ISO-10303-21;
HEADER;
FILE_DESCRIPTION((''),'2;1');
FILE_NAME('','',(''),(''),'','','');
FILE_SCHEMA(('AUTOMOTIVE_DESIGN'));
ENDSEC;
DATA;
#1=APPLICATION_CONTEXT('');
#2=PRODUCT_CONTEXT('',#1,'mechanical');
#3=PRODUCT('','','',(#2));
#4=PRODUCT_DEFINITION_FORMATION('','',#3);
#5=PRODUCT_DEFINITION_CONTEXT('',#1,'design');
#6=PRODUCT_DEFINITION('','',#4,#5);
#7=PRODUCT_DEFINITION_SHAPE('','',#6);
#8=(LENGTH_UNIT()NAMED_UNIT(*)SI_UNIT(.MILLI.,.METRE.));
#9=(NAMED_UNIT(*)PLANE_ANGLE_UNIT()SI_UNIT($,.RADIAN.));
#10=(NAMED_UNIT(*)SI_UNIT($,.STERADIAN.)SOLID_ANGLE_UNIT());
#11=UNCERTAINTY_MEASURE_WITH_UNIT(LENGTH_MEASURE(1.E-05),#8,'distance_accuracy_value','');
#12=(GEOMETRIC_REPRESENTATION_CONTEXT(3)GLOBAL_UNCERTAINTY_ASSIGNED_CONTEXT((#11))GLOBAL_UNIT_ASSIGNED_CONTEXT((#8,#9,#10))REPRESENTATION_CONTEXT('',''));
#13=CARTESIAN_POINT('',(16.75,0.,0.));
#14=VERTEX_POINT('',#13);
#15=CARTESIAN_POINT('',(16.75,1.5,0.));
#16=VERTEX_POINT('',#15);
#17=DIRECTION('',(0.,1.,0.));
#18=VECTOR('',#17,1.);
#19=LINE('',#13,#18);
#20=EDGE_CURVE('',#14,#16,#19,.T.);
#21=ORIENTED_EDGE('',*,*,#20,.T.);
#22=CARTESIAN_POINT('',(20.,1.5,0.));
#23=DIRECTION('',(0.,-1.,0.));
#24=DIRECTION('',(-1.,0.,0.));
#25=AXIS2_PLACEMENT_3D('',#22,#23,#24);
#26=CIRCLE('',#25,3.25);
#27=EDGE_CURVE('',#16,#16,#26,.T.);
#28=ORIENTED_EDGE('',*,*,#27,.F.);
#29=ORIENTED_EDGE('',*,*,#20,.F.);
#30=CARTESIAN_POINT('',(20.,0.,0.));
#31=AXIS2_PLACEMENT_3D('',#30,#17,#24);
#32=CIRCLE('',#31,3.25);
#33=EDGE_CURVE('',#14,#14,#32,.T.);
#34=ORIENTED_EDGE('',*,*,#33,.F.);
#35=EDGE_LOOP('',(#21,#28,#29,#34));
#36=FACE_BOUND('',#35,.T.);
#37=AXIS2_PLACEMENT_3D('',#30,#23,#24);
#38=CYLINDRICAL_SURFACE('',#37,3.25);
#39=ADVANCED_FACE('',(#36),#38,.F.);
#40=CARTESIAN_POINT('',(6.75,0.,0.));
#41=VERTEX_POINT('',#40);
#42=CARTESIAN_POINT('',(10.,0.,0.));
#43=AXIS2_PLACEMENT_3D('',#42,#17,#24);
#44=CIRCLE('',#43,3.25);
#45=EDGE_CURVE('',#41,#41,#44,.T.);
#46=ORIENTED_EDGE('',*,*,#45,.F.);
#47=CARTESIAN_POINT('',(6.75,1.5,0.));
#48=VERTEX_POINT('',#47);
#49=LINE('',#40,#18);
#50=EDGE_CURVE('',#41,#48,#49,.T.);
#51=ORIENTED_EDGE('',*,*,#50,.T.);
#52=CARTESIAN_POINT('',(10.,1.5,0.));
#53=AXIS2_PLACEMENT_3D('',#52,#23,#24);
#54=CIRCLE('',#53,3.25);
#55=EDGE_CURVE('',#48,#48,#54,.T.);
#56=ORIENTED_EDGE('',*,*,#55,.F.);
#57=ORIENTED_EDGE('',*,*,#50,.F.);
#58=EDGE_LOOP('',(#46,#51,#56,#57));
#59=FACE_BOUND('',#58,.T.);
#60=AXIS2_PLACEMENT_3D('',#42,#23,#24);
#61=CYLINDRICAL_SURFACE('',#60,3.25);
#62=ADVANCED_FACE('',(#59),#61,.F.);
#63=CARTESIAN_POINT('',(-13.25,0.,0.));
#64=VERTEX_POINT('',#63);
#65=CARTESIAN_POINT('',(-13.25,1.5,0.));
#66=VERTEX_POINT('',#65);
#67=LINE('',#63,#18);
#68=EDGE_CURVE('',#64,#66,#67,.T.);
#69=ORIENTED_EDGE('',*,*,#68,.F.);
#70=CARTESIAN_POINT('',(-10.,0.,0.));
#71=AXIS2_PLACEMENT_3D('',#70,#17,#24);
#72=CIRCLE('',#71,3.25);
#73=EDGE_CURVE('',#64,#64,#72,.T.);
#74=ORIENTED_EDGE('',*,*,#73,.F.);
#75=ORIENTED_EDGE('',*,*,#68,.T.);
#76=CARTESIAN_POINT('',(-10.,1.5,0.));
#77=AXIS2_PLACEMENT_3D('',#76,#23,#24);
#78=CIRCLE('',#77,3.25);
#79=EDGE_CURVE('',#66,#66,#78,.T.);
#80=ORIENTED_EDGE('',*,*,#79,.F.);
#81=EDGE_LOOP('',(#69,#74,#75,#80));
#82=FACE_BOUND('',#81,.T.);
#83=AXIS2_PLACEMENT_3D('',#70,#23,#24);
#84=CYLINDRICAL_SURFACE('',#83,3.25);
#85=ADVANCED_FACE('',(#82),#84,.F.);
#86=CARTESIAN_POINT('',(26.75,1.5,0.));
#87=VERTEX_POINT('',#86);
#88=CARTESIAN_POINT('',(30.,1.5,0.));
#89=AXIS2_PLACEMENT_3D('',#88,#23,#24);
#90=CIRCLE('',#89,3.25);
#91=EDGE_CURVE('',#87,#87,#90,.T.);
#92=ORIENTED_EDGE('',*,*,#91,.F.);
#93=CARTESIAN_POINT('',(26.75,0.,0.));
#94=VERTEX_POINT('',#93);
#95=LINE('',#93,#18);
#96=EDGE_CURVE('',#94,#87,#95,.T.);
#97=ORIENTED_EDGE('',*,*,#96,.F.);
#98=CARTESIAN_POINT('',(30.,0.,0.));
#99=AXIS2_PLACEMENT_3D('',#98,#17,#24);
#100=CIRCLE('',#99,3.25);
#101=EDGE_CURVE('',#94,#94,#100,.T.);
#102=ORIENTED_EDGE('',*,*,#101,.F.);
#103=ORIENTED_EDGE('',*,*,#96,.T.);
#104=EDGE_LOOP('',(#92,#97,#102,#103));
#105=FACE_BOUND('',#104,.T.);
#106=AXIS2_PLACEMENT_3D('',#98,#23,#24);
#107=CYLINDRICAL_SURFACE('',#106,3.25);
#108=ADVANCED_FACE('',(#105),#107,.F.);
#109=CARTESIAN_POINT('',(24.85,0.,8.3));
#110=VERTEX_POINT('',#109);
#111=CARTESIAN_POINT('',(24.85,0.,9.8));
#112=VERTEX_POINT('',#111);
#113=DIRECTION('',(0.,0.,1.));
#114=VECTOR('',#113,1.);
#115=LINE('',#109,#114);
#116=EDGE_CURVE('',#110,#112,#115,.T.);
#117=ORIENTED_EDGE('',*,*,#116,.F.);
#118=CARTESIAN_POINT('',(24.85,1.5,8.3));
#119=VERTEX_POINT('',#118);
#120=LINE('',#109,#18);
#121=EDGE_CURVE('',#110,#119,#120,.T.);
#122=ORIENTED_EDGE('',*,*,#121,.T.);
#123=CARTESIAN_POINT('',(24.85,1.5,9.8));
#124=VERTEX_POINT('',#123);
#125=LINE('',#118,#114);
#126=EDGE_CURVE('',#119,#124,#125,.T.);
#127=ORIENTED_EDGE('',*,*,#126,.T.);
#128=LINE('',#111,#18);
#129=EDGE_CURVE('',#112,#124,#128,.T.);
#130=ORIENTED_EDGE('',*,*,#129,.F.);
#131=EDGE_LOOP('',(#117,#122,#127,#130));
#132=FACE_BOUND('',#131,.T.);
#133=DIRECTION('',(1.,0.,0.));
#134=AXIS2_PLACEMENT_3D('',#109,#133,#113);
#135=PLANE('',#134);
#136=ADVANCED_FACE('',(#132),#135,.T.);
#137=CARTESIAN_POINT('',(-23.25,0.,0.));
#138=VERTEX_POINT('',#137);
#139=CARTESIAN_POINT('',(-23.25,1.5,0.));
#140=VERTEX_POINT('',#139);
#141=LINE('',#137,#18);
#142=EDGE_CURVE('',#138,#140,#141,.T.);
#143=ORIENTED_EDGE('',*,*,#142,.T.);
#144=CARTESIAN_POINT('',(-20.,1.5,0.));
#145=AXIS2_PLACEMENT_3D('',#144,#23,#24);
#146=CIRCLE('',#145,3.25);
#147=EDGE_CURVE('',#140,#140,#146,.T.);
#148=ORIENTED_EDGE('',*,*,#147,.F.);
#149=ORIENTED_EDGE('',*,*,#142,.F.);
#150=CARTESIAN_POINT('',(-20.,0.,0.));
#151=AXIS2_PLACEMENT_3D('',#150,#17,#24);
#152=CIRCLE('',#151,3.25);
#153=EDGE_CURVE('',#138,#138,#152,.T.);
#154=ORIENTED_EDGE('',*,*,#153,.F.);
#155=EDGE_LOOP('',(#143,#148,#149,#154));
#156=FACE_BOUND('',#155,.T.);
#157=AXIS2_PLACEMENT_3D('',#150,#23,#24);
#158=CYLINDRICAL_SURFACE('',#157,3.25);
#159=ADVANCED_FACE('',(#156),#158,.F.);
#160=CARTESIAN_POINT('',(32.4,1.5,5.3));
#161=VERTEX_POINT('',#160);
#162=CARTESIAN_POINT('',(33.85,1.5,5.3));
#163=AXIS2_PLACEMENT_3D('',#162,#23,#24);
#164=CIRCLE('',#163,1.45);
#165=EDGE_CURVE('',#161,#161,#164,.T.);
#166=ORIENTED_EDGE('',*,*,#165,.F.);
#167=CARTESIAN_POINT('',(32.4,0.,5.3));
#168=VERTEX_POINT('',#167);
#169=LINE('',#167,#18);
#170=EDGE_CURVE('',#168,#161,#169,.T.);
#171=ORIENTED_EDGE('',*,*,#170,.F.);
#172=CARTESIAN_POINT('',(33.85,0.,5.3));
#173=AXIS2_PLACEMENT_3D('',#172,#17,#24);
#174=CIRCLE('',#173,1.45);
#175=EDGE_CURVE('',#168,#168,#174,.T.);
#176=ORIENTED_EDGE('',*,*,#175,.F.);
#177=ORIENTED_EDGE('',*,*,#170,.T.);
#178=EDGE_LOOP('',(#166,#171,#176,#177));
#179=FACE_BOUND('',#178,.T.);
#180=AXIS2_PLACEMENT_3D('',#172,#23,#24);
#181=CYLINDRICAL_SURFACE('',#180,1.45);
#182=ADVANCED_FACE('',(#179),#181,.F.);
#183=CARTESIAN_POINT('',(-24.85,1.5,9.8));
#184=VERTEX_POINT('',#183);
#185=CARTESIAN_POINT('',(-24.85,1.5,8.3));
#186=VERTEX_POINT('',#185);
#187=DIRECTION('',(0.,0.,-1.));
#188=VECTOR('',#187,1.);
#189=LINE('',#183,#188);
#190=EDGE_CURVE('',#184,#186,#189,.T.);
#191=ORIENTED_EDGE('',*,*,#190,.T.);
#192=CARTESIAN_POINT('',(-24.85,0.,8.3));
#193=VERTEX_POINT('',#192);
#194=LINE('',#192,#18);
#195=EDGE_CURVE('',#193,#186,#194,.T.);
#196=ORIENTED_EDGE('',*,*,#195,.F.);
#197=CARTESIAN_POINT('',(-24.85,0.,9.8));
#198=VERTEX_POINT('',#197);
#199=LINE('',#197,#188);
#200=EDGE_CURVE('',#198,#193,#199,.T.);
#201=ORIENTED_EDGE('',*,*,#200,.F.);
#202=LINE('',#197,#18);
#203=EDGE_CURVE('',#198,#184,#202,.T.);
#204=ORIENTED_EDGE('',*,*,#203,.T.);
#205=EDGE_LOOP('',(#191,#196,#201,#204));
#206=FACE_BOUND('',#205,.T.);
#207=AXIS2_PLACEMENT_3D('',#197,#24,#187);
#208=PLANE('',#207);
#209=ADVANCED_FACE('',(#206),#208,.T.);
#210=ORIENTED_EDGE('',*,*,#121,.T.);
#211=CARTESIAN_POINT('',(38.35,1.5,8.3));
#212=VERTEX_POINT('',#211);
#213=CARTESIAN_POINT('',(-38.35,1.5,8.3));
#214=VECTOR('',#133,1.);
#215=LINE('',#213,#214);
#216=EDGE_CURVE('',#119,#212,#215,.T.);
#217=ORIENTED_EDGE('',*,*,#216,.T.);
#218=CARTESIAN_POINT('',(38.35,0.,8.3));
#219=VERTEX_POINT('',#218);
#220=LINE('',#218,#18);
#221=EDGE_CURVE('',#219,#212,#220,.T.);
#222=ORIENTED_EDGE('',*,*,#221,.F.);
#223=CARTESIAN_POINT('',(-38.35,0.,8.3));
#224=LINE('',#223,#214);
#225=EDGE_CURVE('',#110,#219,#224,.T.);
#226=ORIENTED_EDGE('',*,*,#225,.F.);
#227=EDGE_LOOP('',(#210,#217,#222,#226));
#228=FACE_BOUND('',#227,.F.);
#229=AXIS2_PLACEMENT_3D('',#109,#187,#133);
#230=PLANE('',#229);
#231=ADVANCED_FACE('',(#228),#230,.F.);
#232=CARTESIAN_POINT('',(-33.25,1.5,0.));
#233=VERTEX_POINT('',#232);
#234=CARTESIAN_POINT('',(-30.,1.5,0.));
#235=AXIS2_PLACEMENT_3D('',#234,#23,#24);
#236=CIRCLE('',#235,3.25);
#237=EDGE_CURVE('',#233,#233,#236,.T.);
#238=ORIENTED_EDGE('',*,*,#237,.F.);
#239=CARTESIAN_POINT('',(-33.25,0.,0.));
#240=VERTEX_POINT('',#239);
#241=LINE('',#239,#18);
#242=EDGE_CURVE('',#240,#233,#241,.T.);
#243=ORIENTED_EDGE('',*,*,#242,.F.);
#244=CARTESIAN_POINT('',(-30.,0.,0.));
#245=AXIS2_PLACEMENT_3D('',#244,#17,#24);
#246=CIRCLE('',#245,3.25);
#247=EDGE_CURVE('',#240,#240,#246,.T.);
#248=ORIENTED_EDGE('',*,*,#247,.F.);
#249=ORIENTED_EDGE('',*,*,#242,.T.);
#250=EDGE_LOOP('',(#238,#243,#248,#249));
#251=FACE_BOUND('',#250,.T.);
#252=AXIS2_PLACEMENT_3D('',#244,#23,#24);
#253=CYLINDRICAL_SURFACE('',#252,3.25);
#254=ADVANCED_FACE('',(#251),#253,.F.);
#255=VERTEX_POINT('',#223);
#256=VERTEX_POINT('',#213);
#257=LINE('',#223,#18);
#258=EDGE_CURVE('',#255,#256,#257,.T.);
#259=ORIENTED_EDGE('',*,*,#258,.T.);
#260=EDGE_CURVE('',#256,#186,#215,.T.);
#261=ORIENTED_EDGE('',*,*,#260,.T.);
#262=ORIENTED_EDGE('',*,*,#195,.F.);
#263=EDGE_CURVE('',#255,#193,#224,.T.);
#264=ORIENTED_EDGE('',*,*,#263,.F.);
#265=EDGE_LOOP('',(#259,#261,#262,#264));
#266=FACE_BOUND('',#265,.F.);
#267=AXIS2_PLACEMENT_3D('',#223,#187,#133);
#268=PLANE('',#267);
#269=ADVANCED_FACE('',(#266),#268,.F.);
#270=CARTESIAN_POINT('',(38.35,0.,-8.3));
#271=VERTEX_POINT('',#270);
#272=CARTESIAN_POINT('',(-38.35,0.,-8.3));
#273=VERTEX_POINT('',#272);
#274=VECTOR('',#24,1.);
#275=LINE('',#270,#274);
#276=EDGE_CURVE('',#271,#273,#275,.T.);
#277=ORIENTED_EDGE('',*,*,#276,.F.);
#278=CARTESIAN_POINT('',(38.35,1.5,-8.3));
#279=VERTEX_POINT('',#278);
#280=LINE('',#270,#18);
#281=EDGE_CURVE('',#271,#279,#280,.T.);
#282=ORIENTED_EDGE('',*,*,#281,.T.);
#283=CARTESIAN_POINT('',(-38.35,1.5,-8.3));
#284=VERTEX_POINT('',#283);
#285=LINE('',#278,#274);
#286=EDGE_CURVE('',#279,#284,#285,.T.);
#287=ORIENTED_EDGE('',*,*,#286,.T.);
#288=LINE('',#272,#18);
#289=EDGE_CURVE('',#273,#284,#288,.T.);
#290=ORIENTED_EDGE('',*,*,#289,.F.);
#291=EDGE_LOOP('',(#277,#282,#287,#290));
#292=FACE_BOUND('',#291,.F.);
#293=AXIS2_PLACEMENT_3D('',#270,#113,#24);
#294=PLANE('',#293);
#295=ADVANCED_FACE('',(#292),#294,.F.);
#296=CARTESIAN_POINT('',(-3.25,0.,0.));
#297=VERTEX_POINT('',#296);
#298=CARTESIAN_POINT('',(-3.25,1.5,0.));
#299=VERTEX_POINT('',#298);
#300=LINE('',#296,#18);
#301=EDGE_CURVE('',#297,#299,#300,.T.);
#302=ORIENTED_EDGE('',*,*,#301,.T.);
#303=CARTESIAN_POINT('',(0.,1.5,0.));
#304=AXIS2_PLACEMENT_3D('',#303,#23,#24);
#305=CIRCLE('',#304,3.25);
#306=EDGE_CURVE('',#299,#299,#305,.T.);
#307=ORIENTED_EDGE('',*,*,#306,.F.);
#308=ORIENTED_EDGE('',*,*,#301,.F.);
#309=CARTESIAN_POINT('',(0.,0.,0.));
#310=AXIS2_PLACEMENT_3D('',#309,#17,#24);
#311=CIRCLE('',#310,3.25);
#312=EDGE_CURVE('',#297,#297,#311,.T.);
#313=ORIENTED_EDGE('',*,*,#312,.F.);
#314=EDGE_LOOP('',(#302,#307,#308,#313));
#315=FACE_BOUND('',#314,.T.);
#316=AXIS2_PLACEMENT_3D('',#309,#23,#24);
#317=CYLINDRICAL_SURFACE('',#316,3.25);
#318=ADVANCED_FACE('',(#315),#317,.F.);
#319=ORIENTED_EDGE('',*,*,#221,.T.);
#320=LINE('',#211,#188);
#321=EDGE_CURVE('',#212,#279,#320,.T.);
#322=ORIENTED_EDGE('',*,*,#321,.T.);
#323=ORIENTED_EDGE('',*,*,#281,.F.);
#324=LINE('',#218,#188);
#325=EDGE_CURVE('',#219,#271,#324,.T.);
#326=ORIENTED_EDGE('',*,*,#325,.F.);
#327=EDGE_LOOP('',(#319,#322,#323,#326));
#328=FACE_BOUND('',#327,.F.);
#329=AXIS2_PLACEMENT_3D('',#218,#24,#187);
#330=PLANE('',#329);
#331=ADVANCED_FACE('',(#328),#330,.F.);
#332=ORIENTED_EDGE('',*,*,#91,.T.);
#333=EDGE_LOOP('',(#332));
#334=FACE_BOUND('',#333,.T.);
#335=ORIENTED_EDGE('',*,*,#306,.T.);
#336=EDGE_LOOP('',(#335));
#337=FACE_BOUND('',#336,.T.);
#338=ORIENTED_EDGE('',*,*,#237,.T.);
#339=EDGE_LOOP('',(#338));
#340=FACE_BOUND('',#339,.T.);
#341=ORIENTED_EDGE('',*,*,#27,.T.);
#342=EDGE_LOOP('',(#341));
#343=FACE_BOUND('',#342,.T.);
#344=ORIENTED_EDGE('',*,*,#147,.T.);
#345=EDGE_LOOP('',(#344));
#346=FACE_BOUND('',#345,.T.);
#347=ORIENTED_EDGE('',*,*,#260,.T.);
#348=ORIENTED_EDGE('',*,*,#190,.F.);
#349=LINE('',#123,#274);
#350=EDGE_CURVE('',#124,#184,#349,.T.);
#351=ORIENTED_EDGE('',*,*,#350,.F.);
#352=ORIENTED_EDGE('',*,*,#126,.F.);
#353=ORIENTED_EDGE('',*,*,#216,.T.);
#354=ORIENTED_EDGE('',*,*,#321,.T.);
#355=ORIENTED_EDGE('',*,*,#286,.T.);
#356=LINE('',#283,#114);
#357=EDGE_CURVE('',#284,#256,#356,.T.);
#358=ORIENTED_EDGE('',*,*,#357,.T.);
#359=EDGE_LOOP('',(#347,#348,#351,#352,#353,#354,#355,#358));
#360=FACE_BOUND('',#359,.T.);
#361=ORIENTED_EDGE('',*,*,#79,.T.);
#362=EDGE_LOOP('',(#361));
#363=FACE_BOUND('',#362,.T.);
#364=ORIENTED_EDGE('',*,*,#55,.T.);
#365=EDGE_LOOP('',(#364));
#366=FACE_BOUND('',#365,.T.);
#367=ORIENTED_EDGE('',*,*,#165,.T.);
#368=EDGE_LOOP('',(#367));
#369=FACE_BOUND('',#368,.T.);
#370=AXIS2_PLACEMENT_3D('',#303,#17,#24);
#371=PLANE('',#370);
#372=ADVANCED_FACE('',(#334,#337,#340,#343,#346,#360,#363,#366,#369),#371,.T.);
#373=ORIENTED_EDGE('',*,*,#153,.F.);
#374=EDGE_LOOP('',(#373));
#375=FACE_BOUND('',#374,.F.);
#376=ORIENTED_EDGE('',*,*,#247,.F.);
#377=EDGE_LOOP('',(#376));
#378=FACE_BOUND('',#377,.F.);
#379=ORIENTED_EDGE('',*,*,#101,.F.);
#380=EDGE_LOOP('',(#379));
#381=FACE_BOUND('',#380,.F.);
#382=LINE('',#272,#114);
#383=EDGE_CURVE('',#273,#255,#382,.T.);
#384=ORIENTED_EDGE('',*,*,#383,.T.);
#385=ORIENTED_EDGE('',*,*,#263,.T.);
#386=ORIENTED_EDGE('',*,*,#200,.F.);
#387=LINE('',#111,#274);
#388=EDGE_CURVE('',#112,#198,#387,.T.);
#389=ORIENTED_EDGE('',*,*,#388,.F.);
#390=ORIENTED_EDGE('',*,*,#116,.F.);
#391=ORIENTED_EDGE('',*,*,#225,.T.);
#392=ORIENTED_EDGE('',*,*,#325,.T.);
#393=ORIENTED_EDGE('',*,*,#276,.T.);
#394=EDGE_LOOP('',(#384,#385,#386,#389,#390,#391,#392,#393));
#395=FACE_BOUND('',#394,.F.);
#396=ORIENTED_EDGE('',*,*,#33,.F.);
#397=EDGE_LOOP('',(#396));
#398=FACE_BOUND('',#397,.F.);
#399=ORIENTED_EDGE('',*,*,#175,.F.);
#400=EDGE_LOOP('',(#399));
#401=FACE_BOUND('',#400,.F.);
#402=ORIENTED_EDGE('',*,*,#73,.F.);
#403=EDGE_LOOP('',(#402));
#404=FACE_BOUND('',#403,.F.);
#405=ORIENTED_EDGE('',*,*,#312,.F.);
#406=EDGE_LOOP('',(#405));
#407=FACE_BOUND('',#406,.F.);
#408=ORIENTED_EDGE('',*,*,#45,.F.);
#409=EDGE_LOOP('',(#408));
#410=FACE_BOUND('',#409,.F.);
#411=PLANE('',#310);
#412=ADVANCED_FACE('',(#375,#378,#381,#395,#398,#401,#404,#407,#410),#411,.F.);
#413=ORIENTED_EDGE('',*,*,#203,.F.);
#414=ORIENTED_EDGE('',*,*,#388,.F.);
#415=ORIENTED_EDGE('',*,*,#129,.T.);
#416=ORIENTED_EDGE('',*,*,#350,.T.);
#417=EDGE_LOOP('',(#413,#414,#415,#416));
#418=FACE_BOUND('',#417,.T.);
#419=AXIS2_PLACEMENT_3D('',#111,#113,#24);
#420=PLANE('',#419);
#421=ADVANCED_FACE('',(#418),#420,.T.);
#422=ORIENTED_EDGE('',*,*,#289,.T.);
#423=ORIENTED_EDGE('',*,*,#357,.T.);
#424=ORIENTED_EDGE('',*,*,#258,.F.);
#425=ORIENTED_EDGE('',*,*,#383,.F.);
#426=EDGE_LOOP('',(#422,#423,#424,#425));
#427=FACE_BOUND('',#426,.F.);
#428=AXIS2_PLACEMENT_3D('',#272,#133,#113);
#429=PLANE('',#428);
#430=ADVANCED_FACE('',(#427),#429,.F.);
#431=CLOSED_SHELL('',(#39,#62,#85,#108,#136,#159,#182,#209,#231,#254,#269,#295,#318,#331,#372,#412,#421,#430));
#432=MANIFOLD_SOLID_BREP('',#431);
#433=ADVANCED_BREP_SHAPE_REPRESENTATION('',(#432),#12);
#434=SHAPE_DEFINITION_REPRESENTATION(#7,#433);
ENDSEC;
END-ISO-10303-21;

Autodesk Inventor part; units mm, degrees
ref_plane "YZ Plane" through (0, 0, 0) normal (1, 0, 0) x (0, 1, 0)
ref_plane "XZ Plane" through (0, 0, 0) normal (0, 1, 0) x (-1, 0, 0)
ref_plane "XY Plane" through (0, 0, 0) normal (0, 0, 1) x (1, 0, 0)
sketch "Sketch1" plane through (0, 0, 0) normal (0, 1, 0) x (-1, 0, 0)
  line L0 (38.35, 8.3) -> (-38.35, 8.3)
  line L1 (-38.35, 8.3) -> (-38.35, -8.3)
  line L2 (-38.35, -8.3) -> (38.35, -8.3)
  line L3 (38.35, -8.3) -> (38.35, 8.3)
  line L4 (38.35, 8.3) -> (-38.35, -8.3) construction
  line L5 (-38.35, 8.3) -> (38.35, -8.3) construction
  line L6 (24.85, 8.3) -> (-24.85, 8.3)
  line L7 (-24.85, 8.3) -> (-24.85, 9.8)
  line L8 (-24.85, 9.8) -> (24.85, 9.8)
  line L9 (24.85, 9.8) -> (24.85, 8.3)
  line L10 (-24.85, 9.8) -> (-38.35, 8.3) construction
  line L11 (24.85, 9.8) -> (38.35, 8.3) construction
  point P0 (0, 0)
  dimension "d0" = 76.7
  dimension "d1" = 16.6
  dimension "d16" = 1.5
  dimension "d17" = 13.5
extrude "Extrusion1" add sketch "Sketch1" along normal blind 1.5
sketch "Sketch2" plane through (0, 0, 0) normal (0, 1, 0) x (-1, 0, 0)
  circle A0 centre (30, 0) radius 3.25
  line L0 (30, 0) -> (0, 0) construction
  dimension "d4" = 6.5
  dimension "d5" = 30
extrude "Extrusion2" cut sketch "Sketch2" along normal through all
pattern_linear "Rectangular Pattern1" count 7 spacing 10 along (1, 0, 0) of "Extrusion2"
sketch "Sketch3" plane through (0, 0, 0) normal (0, 1, 0) x (-1, 0, 0)
  circle A0 centre (-33.85, 5.3) radius 1.45
  line L0 (38.35, -8.3) -> (38.35, 8.3) construction
  line L1 (-33.85, 5.3) -> (-33.85, 8.3) construction
  line L2 (38.35, 8.3) -> (-38.35, 8.3) construction
  line L3 (-33.85, 5.3) -> (-38.35, 5.3) construction
  line L4 (-38.35, 8.3) -> (-38.35, -8.3) construction
  point P0 (0, 0)
  dimension "d11" = 2.9
  dimension "d12" = 3
  dimension "d18" = 4.5
extrude "Extrusion3" cut sketch "Sketch3" along normal through all
properties part number "teensy_led_lid"
